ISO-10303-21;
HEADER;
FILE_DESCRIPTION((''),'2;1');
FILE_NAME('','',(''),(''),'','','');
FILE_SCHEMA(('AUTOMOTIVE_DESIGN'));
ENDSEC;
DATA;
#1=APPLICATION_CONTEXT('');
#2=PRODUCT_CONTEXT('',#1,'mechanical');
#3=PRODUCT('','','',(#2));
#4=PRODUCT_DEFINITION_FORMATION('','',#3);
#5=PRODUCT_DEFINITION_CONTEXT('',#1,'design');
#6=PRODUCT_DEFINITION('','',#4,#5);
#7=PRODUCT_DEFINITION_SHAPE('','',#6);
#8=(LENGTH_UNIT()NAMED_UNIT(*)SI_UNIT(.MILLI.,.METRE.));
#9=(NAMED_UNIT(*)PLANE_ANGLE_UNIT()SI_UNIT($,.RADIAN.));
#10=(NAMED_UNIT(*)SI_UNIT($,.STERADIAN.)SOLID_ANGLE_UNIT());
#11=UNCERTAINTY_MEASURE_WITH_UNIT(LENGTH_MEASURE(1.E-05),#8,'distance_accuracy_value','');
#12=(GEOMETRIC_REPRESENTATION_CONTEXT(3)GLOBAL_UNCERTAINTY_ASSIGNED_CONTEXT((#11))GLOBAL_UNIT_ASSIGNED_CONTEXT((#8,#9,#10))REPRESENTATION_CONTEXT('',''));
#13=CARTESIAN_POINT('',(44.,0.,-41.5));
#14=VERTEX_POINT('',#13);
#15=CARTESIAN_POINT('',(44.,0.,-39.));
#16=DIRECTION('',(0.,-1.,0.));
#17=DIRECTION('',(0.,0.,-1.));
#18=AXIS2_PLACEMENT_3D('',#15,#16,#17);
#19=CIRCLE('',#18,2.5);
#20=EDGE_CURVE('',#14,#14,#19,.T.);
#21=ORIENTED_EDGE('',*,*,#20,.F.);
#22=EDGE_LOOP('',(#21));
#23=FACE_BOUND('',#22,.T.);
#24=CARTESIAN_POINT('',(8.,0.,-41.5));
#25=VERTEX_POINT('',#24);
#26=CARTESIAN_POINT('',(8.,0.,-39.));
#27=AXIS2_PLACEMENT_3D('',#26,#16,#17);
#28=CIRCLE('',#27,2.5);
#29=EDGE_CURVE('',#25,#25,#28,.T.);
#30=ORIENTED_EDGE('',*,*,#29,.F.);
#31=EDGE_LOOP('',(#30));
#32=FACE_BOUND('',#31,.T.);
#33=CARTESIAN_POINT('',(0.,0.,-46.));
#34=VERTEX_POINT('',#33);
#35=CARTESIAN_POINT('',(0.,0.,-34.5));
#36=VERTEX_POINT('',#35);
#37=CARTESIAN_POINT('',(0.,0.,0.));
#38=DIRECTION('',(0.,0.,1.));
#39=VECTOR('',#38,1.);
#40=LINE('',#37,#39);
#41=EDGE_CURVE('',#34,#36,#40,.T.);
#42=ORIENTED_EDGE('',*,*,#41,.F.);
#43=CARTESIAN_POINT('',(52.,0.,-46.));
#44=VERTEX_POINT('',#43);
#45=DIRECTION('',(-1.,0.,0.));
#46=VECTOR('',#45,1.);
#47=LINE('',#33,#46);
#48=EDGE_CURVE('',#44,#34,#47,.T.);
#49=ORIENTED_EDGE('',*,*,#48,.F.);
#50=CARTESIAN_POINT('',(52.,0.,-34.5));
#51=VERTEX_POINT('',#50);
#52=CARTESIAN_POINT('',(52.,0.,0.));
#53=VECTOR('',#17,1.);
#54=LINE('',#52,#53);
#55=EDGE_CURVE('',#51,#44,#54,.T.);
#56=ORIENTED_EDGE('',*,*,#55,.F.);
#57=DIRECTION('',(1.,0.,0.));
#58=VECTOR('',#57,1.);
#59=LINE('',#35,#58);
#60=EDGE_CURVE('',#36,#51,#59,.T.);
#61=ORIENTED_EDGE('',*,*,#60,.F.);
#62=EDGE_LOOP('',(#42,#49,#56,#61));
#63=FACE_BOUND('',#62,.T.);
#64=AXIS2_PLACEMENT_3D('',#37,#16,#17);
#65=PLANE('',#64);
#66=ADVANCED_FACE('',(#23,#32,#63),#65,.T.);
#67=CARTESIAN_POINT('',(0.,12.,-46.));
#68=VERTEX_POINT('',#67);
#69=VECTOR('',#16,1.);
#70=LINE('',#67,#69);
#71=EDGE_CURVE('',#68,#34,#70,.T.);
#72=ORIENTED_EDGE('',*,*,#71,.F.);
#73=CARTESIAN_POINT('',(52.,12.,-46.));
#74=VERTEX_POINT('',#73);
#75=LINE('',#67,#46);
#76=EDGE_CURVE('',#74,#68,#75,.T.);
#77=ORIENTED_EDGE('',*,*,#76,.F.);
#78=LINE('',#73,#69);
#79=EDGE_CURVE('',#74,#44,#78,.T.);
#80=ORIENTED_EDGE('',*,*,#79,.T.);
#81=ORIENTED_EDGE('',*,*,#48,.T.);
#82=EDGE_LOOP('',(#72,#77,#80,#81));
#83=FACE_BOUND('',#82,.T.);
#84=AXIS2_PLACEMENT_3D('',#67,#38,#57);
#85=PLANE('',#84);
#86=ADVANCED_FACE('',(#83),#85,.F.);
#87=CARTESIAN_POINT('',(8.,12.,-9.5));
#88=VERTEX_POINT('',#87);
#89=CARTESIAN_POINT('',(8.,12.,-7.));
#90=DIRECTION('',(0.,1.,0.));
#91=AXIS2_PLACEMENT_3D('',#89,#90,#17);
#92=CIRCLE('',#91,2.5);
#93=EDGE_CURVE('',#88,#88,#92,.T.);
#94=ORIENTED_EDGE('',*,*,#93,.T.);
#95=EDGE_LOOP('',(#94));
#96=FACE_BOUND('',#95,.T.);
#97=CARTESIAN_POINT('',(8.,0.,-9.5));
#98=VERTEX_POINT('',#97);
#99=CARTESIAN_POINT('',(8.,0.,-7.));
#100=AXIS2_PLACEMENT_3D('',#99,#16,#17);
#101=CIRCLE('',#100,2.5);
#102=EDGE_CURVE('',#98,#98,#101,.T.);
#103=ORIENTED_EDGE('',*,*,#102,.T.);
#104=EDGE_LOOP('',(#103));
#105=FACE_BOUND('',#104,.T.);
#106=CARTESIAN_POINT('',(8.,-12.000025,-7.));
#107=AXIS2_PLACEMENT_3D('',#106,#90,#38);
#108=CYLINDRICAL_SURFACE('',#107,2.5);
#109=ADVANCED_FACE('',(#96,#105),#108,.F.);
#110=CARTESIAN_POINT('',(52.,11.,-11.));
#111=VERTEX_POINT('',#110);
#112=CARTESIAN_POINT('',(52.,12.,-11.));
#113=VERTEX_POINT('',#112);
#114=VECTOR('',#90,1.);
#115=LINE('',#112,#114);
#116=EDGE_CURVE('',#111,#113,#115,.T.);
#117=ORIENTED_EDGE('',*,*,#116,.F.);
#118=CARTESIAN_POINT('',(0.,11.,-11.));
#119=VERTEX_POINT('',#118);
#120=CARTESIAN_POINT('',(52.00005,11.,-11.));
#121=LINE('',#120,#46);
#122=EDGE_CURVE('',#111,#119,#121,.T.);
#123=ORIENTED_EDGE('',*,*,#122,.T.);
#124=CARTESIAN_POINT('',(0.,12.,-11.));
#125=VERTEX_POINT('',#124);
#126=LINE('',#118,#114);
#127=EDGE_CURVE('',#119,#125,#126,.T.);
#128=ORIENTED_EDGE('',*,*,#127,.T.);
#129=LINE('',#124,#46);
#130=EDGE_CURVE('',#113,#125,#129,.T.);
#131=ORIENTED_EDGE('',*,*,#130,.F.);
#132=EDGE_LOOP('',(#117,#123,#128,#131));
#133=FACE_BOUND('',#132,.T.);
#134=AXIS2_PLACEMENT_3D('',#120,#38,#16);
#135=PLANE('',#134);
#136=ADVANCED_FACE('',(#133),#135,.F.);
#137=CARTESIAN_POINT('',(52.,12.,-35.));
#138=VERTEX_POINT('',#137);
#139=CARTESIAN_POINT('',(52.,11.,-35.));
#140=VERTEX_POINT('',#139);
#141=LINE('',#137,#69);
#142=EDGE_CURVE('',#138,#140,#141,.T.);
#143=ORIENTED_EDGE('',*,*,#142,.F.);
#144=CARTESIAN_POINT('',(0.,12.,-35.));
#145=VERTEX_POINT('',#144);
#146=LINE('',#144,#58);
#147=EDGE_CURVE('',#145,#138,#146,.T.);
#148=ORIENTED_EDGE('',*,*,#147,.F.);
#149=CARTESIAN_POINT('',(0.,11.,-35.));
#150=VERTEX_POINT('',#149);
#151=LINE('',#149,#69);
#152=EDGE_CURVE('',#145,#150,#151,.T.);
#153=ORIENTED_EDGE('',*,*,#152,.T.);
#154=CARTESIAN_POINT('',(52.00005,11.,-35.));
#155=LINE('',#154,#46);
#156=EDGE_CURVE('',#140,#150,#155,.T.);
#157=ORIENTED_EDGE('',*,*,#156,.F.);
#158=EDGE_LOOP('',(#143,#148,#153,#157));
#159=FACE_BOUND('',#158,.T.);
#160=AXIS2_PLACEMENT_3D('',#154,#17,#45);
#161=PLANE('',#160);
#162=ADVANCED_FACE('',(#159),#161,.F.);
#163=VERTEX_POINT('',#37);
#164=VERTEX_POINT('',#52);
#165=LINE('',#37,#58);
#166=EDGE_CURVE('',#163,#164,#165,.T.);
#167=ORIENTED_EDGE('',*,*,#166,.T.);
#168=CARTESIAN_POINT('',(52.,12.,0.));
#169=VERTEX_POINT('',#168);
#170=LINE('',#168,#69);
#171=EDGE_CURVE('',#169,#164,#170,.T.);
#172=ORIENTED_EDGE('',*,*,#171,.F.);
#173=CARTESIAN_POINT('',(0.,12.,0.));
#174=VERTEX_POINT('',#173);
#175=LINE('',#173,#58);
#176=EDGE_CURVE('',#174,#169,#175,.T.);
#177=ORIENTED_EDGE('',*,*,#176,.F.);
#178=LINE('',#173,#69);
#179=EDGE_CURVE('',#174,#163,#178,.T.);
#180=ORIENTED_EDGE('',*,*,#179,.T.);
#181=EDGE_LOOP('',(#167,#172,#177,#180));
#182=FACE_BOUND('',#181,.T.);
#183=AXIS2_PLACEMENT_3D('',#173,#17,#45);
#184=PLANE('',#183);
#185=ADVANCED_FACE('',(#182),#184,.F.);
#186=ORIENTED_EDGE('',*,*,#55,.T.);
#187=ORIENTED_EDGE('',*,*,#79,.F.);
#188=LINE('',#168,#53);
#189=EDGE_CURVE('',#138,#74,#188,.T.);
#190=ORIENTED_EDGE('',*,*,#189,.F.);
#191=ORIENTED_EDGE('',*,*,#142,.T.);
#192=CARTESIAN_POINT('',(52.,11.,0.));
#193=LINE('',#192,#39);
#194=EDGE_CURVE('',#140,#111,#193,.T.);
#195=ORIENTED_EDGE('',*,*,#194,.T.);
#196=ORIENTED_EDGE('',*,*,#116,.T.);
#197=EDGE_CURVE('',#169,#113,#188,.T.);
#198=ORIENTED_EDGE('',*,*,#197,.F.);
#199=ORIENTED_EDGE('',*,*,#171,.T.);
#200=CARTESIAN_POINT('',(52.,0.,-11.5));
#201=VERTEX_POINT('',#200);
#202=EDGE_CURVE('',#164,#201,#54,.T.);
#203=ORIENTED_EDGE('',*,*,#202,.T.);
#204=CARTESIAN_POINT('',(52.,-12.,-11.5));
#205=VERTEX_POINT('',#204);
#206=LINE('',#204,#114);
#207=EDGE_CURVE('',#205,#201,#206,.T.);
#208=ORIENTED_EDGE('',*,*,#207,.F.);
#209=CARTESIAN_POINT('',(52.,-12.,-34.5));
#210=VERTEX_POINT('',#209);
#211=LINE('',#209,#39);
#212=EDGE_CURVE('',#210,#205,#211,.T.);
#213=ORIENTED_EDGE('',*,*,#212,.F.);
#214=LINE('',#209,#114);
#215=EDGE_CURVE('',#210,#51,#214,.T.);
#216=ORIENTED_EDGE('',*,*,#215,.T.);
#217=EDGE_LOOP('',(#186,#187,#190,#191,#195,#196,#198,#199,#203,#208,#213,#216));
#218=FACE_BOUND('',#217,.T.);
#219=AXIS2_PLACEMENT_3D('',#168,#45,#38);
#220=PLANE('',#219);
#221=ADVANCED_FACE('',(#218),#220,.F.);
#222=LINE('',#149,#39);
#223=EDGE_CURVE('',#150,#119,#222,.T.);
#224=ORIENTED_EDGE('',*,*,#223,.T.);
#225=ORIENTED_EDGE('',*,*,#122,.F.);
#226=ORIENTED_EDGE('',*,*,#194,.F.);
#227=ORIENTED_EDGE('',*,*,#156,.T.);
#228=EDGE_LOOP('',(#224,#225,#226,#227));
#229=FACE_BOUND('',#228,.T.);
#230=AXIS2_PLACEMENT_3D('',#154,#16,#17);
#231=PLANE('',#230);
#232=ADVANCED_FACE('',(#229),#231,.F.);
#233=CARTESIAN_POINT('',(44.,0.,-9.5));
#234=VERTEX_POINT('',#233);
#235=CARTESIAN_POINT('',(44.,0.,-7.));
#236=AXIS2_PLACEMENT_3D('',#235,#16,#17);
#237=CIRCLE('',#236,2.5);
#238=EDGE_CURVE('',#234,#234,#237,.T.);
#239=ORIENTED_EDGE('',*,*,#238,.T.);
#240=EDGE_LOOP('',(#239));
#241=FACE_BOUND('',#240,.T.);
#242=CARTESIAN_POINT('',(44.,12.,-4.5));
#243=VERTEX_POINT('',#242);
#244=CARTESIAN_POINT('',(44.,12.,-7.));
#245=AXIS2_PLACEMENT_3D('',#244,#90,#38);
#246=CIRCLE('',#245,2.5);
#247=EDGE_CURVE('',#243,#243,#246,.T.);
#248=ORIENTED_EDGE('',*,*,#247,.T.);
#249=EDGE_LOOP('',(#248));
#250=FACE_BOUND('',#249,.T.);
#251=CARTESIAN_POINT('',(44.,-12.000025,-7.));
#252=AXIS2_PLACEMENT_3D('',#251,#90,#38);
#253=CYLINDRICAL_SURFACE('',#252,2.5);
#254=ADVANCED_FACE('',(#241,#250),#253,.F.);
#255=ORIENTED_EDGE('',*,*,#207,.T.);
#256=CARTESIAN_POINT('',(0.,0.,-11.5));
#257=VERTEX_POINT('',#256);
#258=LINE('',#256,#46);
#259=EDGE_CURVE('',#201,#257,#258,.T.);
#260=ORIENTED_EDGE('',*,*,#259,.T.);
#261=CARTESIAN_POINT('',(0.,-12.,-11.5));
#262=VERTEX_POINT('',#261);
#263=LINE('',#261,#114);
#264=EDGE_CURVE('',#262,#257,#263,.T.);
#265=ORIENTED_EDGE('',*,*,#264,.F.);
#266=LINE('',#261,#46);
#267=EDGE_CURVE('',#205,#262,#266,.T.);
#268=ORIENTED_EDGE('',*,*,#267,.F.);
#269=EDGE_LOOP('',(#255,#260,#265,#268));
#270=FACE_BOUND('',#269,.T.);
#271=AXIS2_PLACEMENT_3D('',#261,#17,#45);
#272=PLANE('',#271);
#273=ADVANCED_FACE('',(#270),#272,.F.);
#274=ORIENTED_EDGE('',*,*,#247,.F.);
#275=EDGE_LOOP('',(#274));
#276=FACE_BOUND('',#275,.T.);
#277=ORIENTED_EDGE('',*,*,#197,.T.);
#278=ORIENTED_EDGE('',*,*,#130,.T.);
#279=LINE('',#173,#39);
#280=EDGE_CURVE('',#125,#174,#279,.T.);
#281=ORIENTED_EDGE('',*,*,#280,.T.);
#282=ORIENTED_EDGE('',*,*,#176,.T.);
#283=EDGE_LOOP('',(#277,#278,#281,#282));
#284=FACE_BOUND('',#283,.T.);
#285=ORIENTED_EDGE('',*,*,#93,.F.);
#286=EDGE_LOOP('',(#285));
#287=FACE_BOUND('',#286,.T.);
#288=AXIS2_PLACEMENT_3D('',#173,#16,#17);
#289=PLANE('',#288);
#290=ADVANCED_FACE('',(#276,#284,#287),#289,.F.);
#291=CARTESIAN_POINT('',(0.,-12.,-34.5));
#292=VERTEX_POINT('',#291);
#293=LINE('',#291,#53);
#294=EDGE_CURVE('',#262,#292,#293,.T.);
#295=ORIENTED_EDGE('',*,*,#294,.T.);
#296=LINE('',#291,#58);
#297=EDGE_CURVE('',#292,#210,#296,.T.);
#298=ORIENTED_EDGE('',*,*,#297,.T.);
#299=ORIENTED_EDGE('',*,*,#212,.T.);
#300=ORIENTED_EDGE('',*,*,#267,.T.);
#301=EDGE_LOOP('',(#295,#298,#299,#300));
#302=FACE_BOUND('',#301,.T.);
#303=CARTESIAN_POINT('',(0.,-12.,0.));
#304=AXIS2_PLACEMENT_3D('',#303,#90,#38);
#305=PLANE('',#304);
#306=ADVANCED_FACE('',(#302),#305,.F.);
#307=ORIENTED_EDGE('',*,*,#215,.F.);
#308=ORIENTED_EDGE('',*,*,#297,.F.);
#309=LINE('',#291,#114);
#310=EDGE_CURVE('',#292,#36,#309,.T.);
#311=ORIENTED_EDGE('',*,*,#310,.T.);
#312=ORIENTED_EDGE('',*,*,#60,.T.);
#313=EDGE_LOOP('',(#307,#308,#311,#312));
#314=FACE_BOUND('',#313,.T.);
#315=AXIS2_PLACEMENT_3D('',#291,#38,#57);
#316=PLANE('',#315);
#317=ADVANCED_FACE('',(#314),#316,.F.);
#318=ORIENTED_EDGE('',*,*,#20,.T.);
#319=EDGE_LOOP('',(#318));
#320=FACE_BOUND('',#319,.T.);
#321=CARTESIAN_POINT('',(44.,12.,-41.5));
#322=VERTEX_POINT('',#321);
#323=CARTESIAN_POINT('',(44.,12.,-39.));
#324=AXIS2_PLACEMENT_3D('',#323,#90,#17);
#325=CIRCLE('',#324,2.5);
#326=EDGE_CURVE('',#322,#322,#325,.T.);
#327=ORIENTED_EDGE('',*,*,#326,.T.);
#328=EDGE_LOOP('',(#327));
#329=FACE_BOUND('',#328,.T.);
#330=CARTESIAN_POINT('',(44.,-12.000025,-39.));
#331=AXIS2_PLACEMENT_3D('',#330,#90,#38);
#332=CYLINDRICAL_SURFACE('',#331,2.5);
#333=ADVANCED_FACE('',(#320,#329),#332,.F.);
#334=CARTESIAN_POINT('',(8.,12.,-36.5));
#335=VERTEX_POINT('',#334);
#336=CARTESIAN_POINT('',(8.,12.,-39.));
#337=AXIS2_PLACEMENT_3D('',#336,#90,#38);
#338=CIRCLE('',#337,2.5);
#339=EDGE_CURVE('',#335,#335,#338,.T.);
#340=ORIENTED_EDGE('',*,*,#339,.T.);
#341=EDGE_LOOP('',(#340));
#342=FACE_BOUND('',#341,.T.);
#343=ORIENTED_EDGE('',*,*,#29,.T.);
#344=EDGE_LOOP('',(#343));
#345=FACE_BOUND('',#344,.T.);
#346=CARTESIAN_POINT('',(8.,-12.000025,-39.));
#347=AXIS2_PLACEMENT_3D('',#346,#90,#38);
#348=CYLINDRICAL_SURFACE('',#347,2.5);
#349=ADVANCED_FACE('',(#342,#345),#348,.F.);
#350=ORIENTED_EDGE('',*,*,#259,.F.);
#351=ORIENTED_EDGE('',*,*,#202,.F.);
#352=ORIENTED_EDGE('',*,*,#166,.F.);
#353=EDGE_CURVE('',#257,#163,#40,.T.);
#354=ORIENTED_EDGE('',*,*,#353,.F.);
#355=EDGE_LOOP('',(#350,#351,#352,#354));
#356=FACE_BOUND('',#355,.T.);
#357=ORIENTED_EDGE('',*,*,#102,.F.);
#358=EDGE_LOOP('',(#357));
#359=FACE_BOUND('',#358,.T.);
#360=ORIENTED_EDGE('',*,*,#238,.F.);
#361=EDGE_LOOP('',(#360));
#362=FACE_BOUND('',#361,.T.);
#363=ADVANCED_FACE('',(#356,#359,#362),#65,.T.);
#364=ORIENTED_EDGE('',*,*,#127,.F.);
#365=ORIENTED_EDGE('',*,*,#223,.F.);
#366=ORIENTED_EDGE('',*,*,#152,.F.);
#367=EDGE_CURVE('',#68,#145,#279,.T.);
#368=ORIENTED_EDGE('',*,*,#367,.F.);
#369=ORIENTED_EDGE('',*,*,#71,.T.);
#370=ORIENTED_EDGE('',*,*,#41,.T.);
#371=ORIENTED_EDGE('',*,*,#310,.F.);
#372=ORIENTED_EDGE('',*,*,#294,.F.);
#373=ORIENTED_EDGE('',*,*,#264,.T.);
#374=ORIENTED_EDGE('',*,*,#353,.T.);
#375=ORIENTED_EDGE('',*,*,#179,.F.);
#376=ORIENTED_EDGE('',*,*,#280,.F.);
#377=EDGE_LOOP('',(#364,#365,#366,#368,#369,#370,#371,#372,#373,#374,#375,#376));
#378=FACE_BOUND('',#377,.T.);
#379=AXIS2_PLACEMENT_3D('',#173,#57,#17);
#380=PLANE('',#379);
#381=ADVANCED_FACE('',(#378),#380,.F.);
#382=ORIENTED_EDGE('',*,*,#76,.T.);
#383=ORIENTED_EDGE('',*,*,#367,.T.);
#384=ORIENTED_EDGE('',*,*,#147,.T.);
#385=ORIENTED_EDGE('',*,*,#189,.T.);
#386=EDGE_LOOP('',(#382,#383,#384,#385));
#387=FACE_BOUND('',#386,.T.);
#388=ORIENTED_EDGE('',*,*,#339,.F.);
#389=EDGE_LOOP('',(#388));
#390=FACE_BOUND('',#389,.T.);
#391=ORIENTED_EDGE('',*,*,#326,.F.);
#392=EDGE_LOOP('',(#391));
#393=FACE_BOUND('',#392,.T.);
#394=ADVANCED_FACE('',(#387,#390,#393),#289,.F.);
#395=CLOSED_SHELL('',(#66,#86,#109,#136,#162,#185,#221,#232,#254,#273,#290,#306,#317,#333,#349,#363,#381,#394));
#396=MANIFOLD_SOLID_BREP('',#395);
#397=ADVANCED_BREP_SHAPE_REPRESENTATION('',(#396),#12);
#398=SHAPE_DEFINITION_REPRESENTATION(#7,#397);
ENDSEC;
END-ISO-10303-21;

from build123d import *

# Parameters (mm, degrees)
SKETCH_1_W          = 52
SKETCH_1_H          = 46
EXTRUDE_1_DEPTH     = 12
SKETCH_2_W          = 52
SKETCH_2_H          = 23
EXTRUDE_2_DEPTH     = 12
SKETCH_3_R          = 2.5
CUT_EXTRUDE_1_DEPTH = 74.457470689
SKETCH_4_W          = 24
SKETCH_4_H          = 1
CUT_EXTRUDE_2_DEPTH = 71.455659815


with BuildPart() as part:
    # 草图1 → 凸台-拉伸1 (new body)
    with BuildSketch(Plane(origin=(0, 0, 0), x_dir=(1, 0, 0), z_dir=(0, 1, 0))):
        with Locations((26, 23)):
            Rectangle(SKETCH_1_W, SKETCH_1_H)
    extrude(amount=EXTRUDE_1_DEPTH)

    # 草图2 → 凸台-拉伸2 (add)
    with BuildSketch(Plane.XZ):
        with Locations((26, -23)):
            Rectangle(SKETCH_2_W, SKETCH_2_H)
    extrude(amount=EXTRUDE_2_DEPTH)

    # 草图3 → 切除-拉伸1 (cut, through all)
    with BuildSketch(Plane(origin=(0, 12, 0), x_dir=(1, 0, 0), z_dir=(0, 1, 0))):
        with Locations(Location((8, 39, 0), (0, 0, 270))):
            Circle(SKETCH_3_R)
        with Locations(Location((8, 7, 0), (0, 0, 90))):
            Circle(SKETCH_3_R)
        with Locations(Location((44, 7, 0), (0, 0, 270))):
            Circle(SKETCH_3_R)
        with Locations(Location((44, 39, 0), (0, 0, 90))):
            Circle(SKETCH_3_R)
    extrude(amount=-CUT_EXTRUDE_1_DEPTH, mode=Mode.SUBTRACT)

    # 草图4 → 切除-拉伸2 (cut, through all)
    with BuildSketch(Plane.ZY):
        with Locations((-23, 11.5)):
            Rectangle(SKETCH_4_W, SKETCH_4_H)
    extrude(amount=-CUT_EXTRUDE_2_DEPTH, mode=Mode.SUBTRACT)


solid = part.part
